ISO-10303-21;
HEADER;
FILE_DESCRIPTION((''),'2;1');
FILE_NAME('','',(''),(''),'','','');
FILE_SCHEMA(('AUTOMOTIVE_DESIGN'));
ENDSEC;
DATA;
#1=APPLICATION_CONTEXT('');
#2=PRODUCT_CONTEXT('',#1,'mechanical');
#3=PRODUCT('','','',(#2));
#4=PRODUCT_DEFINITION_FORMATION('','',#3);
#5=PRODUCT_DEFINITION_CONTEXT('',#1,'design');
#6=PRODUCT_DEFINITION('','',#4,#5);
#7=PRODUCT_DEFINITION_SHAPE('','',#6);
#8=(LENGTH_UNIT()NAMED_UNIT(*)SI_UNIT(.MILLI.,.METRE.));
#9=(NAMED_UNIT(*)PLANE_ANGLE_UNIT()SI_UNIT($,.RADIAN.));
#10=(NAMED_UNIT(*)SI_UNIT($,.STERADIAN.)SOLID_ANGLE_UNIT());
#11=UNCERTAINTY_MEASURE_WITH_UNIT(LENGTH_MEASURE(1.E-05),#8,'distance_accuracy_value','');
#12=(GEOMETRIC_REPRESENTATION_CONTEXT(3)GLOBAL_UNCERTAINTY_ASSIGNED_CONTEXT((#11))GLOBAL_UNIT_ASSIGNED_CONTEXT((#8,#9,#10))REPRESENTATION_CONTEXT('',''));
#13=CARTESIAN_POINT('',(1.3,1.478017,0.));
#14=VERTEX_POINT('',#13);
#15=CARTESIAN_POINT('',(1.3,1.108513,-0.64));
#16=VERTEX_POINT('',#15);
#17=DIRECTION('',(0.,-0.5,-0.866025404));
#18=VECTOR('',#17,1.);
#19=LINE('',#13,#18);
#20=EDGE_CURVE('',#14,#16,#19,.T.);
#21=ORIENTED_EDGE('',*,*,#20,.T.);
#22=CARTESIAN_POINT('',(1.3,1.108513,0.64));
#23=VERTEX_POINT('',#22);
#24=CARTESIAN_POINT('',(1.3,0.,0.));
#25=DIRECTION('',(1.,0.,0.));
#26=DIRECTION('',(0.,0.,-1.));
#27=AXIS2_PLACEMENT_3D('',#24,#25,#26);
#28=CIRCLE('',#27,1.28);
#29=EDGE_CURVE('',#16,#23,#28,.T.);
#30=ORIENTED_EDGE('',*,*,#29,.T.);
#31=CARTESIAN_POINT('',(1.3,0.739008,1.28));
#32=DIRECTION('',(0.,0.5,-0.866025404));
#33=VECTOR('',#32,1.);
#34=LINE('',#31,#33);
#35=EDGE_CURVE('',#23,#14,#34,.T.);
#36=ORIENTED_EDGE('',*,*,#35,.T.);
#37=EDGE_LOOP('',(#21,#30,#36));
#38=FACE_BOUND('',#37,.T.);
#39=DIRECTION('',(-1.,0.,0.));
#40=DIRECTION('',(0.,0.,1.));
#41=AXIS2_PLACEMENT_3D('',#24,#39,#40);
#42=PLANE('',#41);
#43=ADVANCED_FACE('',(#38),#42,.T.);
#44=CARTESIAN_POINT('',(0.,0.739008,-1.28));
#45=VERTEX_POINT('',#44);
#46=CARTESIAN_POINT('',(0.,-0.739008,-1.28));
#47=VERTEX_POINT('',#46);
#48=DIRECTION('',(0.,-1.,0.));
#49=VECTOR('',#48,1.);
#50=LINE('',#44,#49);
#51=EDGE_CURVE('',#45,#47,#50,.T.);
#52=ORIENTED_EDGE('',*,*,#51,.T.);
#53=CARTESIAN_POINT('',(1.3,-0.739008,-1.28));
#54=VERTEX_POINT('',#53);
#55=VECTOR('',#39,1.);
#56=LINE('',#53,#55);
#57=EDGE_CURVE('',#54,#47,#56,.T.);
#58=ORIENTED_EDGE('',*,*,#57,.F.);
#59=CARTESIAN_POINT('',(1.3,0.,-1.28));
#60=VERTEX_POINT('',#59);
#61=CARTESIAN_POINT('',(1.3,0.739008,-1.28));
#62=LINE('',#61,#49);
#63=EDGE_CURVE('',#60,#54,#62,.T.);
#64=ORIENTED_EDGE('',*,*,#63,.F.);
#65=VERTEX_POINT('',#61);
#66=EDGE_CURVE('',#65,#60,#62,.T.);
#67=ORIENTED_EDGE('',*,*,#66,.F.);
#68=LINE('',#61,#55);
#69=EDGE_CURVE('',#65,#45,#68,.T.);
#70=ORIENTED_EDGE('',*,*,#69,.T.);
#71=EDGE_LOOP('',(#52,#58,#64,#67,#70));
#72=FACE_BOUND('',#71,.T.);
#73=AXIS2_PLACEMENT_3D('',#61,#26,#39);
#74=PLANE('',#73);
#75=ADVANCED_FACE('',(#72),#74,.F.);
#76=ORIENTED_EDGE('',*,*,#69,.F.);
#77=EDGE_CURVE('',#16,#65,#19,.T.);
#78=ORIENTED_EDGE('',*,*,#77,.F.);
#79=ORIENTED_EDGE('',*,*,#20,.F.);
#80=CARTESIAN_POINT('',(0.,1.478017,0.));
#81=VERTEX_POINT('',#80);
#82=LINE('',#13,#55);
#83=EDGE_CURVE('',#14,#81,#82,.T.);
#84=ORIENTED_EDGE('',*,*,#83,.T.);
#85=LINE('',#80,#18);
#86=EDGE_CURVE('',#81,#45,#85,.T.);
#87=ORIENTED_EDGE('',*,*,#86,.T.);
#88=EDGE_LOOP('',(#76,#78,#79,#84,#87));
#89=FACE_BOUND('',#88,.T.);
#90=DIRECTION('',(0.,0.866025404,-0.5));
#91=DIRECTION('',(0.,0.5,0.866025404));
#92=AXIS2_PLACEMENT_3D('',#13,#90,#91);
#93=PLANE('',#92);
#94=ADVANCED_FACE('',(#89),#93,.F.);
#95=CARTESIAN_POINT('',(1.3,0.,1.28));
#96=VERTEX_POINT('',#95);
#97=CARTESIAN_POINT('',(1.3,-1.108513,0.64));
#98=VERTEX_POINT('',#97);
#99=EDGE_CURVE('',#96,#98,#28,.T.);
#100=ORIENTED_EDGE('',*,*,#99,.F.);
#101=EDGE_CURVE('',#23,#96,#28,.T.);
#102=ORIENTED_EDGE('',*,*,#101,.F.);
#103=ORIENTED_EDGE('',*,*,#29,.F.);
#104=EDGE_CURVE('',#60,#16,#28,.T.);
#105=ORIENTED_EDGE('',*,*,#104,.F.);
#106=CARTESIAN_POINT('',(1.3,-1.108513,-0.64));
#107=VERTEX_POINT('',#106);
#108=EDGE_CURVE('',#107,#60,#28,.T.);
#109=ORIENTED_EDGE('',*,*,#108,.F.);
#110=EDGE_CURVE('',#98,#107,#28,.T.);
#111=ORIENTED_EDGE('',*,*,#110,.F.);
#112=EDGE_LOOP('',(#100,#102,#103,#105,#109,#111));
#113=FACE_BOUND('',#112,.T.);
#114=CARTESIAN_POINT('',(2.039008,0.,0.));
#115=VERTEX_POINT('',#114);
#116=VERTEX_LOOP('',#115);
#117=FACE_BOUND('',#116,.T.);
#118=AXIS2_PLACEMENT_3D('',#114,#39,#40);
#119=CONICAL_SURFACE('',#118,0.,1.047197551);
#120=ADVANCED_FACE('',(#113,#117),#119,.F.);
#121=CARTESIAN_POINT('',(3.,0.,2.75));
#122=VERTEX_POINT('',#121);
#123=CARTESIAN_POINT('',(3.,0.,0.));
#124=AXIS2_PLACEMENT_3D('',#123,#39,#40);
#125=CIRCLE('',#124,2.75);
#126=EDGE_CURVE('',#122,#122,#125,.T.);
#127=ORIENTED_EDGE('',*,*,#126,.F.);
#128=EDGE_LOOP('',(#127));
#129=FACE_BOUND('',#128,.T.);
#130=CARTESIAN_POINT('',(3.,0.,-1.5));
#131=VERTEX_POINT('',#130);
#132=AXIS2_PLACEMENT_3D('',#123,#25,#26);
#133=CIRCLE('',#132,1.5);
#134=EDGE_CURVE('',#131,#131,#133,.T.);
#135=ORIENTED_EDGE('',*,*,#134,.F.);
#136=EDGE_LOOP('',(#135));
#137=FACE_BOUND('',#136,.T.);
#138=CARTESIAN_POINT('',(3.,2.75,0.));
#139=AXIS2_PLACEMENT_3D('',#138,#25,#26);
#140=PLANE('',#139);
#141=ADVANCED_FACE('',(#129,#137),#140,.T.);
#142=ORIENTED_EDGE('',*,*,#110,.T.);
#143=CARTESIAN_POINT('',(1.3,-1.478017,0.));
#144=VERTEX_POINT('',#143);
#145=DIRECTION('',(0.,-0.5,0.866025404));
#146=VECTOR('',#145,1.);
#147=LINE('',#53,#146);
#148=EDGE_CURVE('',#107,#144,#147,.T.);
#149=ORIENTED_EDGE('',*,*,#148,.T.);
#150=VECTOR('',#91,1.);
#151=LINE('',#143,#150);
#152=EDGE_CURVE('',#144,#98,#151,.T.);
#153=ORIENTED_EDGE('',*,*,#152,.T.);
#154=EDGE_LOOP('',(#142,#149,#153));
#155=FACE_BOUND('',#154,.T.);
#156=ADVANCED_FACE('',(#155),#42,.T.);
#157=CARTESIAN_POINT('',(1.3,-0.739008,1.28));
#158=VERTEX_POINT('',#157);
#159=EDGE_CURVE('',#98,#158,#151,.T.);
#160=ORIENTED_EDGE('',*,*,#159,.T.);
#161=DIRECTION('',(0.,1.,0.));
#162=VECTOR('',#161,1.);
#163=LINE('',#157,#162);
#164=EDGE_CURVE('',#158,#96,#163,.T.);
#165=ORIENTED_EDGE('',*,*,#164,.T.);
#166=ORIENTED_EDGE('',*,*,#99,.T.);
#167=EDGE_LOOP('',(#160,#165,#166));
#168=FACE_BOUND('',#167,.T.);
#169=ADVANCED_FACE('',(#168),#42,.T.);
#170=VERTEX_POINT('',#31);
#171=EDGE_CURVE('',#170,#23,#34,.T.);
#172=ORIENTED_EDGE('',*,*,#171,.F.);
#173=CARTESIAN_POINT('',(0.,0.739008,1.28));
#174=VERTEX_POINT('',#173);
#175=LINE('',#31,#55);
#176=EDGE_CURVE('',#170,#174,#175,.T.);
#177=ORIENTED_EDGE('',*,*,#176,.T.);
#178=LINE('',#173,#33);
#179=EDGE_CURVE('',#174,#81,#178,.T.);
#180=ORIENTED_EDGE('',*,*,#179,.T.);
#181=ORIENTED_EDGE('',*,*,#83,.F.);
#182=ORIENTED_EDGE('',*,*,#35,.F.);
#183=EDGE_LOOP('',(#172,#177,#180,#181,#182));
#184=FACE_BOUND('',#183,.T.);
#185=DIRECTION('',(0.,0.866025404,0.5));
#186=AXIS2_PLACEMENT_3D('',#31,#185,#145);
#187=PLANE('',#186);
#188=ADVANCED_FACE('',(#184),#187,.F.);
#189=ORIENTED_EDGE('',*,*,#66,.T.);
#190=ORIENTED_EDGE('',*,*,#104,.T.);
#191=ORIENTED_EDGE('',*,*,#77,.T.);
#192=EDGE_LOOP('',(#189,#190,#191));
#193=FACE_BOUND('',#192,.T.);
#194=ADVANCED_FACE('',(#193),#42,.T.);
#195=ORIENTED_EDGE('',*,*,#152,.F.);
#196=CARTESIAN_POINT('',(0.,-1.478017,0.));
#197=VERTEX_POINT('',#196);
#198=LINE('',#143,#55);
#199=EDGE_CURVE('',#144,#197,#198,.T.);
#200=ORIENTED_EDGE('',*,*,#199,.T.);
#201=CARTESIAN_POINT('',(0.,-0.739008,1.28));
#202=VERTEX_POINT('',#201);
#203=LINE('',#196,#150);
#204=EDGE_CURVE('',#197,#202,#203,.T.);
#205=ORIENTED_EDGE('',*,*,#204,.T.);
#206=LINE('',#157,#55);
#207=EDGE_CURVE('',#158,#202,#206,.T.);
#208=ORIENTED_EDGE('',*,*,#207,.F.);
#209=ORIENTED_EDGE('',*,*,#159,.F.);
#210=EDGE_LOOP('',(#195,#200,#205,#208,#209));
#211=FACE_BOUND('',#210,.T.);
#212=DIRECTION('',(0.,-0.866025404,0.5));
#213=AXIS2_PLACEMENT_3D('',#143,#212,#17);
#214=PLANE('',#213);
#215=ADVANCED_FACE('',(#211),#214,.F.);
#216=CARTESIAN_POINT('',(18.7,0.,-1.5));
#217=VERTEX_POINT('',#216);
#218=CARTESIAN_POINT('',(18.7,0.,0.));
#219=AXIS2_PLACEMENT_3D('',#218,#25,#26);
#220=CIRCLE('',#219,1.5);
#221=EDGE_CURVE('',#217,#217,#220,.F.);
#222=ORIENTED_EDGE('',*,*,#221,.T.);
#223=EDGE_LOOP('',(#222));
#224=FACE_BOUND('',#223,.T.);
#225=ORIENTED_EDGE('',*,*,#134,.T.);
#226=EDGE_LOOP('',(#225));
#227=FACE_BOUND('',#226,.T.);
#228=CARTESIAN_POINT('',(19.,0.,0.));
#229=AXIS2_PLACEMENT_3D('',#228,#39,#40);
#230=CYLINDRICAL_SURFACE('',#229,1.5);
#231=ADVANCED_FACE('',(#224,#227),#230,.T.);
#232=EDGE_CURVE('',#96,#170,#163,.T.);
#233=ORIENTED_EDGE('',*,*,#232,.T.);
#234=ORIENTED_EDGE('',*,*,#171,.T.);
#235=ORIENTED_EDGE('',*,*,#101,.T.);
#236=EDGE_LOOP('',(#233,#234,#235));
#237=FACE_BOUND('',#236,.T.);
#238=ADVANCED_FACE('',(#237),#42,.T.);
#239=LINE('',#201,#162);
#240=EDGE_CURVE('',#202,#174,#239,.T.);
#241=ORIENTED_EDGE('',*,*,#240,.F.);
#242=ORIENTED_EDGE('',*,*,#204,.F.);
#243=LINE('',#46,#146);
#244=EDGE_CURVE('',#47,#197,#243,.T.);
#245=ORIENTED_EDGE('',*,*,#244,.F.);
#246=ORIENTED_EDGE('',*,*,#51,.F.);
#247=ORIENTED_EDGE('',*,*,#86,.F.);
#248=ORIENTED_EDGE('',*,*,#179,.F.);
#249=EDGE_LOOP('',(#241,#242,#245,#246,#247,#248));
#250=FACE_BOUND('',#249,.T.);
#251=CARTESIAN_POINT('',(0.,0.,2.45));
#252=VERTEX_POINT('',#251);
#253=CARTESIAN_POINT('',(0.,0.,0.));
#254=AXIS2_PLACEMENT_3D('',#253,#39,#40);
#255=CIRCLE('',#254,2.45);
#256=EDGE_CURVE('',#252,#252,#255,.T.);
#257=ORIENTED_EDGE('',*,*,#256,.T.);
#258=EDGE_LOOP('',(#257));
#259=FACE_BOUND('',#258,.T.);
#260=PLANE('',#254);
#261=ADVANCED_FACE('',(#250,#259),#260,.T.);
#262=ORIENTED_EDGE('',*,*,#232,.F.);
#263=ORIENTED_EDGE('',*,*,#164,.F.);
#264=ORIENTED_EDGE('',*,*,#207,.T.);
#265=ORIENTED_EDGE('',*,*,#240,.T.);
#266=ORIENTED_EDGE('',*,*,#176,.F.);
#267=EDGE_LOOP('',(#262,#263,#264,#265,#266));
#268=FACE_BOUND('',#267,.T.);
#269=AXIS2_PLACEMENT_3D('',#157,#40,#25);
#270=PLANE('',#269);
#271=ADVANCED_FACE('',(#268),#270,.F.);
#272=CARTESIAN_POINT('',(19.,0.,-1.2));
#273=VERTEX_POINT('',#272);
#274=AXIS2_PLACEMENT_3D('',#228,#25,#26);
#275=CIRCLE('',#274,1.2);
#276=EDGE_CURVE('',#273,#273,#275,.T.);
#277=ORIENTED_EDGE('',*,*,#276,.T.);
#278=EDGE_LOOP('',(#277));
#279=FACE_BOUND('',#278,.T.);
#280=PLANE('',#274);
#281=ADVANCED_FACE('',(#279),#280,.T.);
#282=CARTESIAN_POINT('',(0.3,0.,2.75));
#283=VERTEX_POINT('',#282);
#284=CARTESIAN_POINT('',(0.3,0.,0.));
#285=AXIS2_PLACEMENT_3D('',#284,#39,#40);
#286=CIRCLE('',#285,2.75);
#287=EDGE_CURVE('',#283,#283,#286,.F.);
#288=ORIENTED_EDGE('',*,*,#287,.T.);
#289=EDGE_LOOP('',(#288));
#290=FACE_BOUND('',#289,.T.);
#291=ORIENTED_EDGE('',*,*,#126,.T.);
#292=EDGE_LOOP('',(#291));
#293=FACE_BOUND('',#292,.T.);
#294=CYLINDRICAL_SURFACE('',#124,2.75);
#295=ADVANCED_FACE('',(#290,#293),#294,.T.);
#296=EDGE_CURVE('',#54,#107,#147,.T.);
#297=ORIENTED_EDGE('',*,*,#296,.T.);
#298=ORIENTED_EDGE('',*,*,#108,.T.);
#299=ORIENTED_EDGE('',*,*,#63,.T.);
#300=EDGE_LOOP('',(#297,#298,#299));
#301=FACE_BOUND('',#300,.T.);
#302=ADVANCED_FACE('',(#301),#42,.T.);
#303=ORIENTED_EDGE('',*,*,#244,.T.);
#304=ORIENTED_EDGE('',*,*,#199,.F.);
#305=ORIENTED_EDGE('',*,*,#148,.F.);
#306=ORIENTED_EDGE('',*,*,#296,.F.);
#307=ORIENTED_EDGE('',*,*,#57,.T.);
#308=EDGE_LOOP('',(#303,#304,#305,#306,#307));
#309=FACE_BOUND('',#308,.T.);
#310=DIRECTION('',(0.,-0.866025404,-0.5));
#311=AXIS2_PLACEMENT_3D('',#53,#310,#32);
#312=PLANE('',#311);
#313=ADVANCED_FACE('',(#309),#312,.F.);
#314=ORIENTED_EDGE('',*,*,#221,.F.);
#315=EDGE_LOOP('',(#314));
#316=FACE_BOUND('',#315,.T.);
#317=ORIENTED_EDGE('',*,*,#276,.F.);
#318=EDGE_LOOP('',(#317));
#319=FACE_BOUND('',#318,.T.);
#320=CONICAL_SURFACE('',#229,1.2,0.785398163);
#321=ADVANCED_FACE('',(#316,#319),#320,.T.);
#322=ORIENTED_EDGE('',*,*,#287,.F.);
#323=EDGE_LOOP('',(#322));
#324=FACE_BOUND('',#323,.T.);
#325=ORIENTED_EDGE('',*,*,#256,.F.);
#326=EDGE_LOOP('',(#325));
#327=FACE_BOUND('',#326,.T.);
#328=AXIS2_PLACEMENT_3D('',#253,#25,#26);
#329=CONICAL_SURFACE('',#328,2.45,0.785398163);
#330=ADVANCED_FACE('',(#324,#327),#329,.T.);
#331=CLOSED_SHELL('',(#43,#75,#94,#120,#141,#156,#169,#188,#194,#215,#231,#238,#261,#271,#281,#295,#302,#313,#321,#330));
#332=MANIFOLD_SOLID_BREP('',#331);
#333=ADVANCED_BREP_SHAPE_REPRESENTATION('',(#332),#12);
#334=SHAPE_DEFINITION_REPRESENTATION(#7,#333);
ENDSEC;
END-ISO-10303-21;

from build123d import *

# Parameters (mm, degrees)
SKETCH_1_W          = 3
SKETCH_1_H          = 2.75
SKETCH_2_R          = 1.5
EXTRUDE_1_DEPTH     = 16
CUT_EXTRUDE_1_DEPTH = 1.3
CHAMFER_1_SIZE      = 0.3


with BuildPart() as part:
    # 草图1 → 旋转1 (revolve)
    with BuildSketch(Plane(origin=(0, 0, 0), x_dir=(-1, 0, 0), z_dir=(0, 0, -1))):
        with Locations((-1.5, 1.375)):
            Rectangle(SKETCH_1_W, SKETCH_1_H)
    revolve(axis=Axis((3, 0, 0), (-1, 0, 0)))

    # 草图2 → 凸台-拉伸1 (add)
    with BuildSketch(Plane(origin=(3, 0, 0), x_dir=(0, 0, -1), z_dir=(1, 0, 0))):
        Circle(SKETCH_2_R)
    extrude(amount=EXTRUDE_1_DEPTH)

    # 草图3 → 切除-拉伸1 (cut)
    with BuildSketch(Plane.ZY):
        Polygon((1.28, 0.739008345), (0, 1.478016689), (-1.28, 0.739008345), (-1.28, -0.739008345), (0, -1.478016689), (1.28, -0.739008345), align=None)
    extrude(amount=-CUT_EXTRUDE_1_DEPTH, mode=Mode.SUBTRACT)

    # 草图4 → 切除-旋转1 (revolve, cut)
    with BuildSketch(Plane.XY):
        Polygon((1.3, 1.28), (1.3, 0), (2.039008345, 0), align=None)
    revolve(axis=Axis((1.3, 0, 0), (1, 0, 0)), mode=Mode.SUBTRACT)

    # 倒角1
    chamfer_1_edges = [part.edges().sort_by_distance(p)[0] for p in [
        (19, 0, 1.5),
        (0, -2.75, 0),
    ]]
    chamfer(chamfer_1_edges, length=CHAMFER_1_SIZE)


solid = part.part
